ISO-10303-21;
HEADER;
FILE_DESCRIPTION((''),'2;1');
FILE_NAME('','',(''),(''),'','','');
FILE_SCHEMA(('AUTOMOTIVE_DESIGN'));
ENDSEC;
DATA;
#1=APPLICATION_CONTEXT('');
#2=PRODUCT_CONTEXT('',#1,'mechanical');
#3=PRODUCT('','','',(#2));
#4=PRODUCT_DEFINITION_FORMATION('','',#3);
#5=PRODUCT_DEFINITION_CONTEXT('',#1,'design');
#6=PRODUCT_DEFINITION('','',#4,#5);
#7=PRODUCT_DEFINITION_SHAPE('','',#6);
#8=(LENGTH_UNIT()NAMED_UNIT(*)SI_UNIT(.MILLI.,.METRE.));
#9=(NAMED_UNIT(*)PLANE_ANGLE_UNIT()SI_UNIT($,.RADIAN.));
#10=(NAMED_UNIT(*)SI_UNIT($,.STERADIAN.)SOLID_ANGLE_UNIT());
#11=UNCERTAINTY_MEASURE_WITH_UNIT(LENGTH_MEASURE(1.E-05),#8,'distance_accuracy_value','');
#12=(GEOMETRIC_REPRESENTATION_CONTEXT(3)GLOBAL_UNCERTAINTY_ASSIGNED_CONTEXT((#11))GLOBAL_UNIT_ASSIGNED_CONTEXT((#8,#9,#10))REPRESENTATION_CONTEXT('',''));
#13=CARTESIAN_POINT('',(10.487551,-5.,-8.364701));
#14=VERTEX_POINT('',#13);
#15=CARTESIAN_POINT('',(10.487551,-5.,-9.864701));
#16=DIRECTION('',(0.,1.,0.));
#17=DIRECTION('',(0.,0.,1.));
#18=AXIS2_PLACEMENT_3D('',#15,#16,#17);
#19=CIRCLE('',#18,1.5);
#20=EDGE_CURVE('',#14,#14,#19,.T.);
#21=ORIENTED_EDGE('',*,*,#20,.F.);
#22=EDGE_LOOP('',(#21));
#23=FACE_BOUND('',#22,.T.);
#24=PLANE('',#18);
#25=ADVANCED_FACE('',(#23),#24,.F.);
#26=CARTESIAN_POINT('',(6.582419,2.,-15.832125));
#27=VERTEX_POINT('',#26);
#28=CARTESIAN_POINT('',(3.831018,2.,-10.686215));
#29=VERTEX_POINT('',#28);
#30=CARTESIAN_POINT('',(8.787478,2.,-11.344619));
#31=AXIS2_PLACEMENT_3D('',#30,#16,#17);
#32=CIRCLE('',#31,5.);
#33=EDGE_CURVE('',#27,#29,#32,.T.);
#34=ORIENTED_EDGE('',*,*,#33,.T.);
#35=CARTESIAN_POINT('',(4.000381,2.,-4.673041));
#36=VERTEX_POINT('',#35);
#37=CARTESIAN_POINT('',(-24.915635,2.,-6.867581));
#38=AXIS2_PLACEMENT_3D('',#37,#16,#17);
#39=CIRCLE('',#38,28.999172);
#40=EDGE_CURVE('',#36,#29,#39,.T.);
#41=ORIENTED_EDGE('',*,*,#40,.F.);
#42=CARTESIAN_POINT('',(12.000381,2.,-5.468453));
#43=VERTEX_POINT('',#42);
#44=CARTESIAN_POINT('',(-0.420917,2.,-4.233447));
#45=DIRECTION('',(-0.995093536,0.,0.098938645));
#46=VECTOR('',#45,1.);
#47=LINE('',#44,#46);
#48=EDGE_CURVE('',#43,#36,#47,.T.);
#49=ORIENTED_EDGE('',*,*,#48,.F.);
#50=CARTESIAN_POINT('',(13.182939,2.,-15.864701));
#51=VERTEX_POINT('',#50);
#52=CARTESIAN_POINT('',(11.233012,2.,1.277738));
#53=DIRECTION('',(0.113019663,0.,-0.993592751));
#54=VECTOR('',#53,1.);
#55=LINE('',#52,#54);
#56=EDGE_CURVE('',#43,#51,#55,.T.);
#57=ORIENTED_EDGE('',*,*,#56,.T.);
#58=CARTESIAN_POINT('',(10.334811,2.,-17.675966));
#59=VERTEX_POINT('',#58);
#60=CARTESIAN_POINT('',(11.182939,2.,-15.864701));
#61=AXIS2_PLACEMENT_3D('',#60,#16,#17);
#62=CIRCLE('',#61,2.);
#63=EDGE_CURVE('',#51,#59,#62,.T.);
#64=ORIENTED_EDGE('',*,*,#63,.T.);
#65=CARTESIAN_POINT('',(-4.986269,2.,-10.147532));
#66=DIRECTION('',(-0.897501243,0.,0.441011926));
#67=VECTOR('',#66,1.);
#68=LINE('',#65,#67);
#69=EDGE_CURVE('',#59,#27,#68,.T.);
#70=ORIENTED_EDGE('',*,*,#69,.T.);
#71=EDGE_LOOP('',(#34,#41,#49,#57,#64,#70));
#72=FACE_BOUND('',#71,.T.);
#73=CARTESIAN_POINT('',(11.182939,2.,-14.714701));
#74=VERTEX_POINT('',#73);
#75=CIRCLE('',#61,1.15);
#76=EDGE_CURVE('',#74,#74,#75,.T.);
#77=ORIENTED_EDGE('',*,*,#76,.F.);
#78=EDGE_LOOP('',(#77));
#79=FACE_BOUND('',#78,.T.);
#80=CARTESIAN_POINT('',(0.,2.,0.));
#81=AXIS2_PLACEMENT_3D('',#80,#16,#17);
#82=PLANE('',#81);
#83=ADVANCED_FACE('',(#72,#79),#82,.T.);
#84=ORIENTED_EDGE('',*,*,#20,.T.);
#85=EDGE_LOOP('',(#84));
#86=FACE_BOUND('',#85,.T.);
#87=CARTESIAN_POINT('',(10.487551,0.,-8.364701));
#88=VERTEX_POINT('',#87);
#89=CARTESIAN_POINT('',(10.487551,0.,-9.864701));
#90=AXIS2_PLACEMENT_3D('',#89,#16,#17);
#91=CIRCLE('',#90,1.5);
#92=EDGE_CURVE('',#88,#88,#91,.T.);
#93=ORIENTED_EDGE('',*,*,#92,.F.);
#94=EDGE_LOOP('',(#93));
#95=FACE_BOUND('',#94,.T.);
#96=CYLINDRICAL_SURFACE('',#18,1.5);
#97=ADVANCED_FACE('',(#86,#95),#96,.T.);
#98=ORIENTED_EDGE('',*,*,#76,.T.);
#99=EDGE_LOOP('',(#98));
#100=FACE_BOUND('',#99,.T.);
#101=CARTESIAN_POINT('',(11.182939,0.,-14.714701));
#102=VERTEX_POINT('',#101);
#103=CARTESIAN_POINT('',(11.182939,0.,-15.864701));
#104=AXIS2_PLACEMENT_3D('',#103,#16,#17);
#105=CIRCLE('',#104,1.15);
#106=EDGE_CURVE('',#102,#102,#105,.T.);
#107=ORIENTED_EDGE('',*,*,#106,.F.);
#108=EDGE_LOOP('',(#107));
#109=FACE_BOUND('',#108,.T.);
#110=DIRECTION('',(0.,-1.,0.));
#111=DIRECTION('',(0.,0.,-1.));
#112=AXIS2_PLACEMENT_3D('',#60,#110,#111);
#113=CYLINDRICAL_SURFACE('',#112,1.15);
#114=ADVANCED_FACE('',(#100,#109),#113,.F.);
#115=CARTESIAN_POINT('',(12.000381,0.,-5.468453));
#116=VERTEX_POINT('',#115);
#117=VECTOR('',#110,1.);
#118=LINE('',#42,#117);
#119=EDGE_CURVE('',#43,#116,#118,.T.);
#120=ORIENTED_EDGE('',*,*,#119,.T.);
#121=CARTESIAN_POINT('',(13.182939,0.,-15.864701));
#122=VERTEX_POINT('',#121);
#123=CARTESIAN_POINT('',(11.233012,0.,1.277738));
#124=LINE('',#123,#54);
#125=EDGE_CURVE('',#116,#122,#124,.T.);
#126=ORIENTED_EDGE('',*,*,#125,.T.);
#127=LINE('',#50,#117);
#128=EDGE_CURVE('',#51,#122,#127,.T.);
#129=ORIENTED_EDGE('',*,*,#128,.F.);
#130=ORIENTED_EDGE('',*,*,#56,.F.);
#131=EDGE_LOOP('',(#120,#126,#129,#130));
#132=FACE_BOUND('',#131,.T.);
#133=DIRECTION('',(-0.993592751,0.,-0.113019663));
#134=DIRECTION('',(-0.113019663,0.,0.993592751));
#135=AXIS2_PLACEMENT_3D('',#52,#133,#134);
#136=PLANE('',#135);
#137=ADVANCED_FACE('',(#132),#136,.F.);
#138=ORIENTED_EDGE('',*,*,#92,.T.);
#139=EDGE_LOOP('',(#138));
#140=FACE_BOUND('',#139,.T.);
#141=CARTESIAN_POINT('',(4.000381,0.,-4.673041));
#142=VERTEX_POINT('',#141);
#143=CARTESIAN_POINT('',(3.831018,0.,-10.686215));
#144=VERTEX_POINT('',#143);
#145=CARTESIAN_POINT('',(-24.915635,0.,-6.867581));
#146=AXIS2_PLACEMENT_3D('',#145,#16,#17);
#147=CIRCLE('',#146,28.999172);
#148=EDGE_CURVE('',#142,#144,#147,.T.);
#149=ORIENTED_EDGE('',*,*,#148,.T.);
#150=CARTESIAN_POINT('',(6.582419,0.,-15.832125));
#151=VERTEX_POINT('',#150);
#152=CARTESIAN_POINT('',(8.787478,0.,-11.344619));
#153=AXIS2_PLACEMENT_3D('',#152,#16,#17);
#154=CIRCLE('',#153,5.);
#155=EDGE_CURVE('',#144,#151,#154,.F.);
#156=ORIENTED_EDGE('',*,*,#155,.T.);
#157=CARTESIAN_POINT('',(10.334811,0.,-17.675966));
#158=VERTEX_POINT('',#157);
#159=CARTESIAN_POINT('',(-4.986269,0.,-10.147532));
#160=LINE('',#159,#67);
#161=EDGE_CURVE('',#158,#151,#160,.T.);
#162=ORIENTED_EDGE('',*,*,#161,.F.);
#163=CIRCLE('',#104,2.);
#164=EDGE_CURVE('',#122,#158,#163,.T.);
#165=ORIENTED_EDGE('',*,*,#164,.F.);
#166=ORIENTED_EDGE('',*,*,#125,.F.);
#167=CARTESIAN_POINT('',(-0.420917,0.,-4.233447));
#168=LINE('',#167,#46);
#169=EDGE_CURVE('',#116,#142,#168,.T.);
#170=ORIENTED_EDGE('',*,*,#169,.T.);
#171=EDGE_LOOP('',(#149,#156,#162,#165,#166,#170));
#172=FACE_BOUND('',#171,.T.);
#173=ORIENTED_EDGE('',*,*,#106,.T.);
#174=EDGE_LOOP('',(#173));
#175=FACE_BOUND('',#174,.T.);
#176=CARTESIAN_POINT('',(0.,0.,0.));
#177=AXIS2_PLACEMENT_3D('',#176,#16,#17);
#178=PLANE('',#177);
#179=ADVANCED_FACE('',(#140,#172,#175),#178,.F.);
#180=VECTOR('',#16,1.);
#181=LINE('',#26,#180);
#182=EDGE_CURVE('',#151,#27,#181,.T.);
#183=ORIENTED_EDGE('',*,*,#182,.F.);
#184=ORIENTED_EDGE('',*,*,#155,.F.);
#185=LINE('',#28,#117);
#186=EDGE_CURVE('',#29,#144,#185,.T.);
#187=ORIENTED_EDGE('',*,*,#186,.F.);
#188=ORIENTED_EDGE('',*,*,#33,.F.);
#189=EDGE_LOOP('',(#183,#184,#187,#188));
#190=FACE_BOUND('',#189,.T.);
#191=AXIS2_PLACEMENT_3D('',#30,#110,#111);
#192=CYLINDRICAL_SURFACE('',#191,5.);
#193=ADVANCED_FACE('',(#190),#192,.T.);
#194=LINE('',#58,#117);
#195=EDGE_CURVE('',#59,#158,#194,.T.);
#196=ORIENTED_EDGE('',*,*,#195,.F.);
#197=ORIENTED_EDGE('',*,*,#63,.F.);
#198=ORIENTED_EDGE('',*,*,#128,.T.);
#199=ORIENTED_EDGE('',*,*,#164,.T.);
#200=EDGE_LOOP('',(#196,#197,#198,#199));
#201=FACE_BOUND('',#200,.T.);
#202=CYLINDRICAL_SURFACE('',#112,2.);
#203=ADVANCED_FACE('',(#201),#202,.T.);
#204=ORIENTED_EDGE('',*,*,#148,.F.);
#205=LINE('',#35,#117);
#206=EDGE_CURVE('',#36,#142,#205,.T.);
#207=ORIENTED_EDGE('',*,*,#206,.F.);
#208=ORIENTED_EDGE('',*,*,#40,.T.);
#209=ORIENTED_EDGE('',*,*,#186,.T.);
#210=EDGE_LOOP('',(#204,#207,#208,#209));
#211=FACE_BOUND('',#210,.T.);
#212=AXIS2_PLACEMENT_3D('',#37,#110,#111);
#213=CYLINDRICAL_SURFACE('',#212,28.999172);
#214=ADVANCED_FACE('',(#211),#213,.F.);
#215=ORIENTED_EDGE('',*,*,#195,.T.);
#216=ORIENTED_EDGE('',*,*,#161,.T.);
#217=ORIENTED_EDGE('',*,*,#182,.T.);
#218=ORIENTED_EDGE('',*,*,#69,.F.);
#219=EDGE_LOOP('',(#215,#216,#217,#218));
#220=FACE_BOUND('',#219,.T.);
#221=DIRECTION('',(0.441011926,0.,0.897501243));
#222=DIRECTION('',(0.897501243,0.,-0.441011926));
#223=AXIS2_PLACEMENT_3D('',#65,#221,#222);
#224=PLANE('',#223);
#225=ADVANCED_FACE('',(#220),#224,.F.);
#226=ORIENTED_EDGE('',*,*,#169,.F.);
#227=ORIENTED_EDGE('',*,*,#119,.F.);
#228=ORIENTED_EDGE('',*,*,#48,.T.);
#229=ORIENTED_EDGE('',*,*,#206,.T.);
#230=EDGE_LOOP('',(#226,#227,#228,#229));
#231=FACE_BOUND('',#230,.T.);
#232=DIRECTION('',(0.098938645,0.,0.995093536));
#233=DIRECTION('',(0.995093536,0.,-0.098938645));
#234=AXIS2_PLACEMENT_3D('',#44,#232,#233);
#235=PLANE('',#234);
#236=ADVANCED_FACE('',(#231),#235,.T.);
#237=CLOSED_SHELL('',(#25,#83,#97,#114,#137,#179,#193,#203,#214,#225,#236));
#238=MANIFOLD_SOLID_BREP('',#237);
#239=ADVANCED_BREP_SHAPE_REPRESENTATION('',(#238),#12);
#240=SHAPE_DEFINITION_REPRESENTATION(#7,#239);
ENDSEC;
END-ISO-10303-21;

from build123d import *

# Parameters (mm, degrees)
SKETCH2_R           = 1.15
BOSS_EXTRUDE1_DEPTH = 2
SKETCH3_R           = 1.5
BOSS_EXTRUDE2_DEPTH = 5
FILLET1_R           = 5


with BuildPart() as part:
    # Sketch2 → Boss-Extrude1 (new body)
    with BuildSketch(Plane(origin=(0, 0, 0), x_dir=(1, 0, 0), z_dir=(0, 1, 0))):
        with BuildLine():
            Line((4.000381204, 4.673041052), (12.000381204, 5.468452872))
            Line((12.000381204, 5.468452872), (13.182938655, 15.86470146))
            ThreePointArc((13.182938655, 15.86470146), (12.256191848, 17.552341108), (10.334811071, 17.675966101))
            Line((10.334811071, 17.675966101), (3.154801126, 14.147870696))
            ThreePointArc((3.154801126, 14.147870696), (3.968738574, 9.44536378), (4.000381204, 4.673041052))
        make_face()
        with Locations(Location((11.182938655, 15.86470146, 0), (0, 0, 270))):
            Circle(SKETCH2_R, mode=Mode.SUBTRACT)
    extrude(amount=BOSS_EXTRUDE1_DEPTH)

    # Sketch3 → Boss-Extrude2 (add)
    with BuildSketch(Plane(origin=(0, 0, 0), x_dir=(1, 0, 0), z_dir=(0, 1, 0))):
        with Locations(Location((10.487550657, 9.86470146, 0), (0, 0, 270))):
            Circle(SKETCH3_R)
    extrude(amount=-BOSS_EXTRUDE2_DEPTH)

    # Fillet1
    fillet1_edges = [part.edges().sort_by_distance(p)[0] for p in [
        (3.154801126, 1, -14.147870696),
    ]]
    fillet(fillet1_edges, radius=FILLET1_R)


solid = part.part
